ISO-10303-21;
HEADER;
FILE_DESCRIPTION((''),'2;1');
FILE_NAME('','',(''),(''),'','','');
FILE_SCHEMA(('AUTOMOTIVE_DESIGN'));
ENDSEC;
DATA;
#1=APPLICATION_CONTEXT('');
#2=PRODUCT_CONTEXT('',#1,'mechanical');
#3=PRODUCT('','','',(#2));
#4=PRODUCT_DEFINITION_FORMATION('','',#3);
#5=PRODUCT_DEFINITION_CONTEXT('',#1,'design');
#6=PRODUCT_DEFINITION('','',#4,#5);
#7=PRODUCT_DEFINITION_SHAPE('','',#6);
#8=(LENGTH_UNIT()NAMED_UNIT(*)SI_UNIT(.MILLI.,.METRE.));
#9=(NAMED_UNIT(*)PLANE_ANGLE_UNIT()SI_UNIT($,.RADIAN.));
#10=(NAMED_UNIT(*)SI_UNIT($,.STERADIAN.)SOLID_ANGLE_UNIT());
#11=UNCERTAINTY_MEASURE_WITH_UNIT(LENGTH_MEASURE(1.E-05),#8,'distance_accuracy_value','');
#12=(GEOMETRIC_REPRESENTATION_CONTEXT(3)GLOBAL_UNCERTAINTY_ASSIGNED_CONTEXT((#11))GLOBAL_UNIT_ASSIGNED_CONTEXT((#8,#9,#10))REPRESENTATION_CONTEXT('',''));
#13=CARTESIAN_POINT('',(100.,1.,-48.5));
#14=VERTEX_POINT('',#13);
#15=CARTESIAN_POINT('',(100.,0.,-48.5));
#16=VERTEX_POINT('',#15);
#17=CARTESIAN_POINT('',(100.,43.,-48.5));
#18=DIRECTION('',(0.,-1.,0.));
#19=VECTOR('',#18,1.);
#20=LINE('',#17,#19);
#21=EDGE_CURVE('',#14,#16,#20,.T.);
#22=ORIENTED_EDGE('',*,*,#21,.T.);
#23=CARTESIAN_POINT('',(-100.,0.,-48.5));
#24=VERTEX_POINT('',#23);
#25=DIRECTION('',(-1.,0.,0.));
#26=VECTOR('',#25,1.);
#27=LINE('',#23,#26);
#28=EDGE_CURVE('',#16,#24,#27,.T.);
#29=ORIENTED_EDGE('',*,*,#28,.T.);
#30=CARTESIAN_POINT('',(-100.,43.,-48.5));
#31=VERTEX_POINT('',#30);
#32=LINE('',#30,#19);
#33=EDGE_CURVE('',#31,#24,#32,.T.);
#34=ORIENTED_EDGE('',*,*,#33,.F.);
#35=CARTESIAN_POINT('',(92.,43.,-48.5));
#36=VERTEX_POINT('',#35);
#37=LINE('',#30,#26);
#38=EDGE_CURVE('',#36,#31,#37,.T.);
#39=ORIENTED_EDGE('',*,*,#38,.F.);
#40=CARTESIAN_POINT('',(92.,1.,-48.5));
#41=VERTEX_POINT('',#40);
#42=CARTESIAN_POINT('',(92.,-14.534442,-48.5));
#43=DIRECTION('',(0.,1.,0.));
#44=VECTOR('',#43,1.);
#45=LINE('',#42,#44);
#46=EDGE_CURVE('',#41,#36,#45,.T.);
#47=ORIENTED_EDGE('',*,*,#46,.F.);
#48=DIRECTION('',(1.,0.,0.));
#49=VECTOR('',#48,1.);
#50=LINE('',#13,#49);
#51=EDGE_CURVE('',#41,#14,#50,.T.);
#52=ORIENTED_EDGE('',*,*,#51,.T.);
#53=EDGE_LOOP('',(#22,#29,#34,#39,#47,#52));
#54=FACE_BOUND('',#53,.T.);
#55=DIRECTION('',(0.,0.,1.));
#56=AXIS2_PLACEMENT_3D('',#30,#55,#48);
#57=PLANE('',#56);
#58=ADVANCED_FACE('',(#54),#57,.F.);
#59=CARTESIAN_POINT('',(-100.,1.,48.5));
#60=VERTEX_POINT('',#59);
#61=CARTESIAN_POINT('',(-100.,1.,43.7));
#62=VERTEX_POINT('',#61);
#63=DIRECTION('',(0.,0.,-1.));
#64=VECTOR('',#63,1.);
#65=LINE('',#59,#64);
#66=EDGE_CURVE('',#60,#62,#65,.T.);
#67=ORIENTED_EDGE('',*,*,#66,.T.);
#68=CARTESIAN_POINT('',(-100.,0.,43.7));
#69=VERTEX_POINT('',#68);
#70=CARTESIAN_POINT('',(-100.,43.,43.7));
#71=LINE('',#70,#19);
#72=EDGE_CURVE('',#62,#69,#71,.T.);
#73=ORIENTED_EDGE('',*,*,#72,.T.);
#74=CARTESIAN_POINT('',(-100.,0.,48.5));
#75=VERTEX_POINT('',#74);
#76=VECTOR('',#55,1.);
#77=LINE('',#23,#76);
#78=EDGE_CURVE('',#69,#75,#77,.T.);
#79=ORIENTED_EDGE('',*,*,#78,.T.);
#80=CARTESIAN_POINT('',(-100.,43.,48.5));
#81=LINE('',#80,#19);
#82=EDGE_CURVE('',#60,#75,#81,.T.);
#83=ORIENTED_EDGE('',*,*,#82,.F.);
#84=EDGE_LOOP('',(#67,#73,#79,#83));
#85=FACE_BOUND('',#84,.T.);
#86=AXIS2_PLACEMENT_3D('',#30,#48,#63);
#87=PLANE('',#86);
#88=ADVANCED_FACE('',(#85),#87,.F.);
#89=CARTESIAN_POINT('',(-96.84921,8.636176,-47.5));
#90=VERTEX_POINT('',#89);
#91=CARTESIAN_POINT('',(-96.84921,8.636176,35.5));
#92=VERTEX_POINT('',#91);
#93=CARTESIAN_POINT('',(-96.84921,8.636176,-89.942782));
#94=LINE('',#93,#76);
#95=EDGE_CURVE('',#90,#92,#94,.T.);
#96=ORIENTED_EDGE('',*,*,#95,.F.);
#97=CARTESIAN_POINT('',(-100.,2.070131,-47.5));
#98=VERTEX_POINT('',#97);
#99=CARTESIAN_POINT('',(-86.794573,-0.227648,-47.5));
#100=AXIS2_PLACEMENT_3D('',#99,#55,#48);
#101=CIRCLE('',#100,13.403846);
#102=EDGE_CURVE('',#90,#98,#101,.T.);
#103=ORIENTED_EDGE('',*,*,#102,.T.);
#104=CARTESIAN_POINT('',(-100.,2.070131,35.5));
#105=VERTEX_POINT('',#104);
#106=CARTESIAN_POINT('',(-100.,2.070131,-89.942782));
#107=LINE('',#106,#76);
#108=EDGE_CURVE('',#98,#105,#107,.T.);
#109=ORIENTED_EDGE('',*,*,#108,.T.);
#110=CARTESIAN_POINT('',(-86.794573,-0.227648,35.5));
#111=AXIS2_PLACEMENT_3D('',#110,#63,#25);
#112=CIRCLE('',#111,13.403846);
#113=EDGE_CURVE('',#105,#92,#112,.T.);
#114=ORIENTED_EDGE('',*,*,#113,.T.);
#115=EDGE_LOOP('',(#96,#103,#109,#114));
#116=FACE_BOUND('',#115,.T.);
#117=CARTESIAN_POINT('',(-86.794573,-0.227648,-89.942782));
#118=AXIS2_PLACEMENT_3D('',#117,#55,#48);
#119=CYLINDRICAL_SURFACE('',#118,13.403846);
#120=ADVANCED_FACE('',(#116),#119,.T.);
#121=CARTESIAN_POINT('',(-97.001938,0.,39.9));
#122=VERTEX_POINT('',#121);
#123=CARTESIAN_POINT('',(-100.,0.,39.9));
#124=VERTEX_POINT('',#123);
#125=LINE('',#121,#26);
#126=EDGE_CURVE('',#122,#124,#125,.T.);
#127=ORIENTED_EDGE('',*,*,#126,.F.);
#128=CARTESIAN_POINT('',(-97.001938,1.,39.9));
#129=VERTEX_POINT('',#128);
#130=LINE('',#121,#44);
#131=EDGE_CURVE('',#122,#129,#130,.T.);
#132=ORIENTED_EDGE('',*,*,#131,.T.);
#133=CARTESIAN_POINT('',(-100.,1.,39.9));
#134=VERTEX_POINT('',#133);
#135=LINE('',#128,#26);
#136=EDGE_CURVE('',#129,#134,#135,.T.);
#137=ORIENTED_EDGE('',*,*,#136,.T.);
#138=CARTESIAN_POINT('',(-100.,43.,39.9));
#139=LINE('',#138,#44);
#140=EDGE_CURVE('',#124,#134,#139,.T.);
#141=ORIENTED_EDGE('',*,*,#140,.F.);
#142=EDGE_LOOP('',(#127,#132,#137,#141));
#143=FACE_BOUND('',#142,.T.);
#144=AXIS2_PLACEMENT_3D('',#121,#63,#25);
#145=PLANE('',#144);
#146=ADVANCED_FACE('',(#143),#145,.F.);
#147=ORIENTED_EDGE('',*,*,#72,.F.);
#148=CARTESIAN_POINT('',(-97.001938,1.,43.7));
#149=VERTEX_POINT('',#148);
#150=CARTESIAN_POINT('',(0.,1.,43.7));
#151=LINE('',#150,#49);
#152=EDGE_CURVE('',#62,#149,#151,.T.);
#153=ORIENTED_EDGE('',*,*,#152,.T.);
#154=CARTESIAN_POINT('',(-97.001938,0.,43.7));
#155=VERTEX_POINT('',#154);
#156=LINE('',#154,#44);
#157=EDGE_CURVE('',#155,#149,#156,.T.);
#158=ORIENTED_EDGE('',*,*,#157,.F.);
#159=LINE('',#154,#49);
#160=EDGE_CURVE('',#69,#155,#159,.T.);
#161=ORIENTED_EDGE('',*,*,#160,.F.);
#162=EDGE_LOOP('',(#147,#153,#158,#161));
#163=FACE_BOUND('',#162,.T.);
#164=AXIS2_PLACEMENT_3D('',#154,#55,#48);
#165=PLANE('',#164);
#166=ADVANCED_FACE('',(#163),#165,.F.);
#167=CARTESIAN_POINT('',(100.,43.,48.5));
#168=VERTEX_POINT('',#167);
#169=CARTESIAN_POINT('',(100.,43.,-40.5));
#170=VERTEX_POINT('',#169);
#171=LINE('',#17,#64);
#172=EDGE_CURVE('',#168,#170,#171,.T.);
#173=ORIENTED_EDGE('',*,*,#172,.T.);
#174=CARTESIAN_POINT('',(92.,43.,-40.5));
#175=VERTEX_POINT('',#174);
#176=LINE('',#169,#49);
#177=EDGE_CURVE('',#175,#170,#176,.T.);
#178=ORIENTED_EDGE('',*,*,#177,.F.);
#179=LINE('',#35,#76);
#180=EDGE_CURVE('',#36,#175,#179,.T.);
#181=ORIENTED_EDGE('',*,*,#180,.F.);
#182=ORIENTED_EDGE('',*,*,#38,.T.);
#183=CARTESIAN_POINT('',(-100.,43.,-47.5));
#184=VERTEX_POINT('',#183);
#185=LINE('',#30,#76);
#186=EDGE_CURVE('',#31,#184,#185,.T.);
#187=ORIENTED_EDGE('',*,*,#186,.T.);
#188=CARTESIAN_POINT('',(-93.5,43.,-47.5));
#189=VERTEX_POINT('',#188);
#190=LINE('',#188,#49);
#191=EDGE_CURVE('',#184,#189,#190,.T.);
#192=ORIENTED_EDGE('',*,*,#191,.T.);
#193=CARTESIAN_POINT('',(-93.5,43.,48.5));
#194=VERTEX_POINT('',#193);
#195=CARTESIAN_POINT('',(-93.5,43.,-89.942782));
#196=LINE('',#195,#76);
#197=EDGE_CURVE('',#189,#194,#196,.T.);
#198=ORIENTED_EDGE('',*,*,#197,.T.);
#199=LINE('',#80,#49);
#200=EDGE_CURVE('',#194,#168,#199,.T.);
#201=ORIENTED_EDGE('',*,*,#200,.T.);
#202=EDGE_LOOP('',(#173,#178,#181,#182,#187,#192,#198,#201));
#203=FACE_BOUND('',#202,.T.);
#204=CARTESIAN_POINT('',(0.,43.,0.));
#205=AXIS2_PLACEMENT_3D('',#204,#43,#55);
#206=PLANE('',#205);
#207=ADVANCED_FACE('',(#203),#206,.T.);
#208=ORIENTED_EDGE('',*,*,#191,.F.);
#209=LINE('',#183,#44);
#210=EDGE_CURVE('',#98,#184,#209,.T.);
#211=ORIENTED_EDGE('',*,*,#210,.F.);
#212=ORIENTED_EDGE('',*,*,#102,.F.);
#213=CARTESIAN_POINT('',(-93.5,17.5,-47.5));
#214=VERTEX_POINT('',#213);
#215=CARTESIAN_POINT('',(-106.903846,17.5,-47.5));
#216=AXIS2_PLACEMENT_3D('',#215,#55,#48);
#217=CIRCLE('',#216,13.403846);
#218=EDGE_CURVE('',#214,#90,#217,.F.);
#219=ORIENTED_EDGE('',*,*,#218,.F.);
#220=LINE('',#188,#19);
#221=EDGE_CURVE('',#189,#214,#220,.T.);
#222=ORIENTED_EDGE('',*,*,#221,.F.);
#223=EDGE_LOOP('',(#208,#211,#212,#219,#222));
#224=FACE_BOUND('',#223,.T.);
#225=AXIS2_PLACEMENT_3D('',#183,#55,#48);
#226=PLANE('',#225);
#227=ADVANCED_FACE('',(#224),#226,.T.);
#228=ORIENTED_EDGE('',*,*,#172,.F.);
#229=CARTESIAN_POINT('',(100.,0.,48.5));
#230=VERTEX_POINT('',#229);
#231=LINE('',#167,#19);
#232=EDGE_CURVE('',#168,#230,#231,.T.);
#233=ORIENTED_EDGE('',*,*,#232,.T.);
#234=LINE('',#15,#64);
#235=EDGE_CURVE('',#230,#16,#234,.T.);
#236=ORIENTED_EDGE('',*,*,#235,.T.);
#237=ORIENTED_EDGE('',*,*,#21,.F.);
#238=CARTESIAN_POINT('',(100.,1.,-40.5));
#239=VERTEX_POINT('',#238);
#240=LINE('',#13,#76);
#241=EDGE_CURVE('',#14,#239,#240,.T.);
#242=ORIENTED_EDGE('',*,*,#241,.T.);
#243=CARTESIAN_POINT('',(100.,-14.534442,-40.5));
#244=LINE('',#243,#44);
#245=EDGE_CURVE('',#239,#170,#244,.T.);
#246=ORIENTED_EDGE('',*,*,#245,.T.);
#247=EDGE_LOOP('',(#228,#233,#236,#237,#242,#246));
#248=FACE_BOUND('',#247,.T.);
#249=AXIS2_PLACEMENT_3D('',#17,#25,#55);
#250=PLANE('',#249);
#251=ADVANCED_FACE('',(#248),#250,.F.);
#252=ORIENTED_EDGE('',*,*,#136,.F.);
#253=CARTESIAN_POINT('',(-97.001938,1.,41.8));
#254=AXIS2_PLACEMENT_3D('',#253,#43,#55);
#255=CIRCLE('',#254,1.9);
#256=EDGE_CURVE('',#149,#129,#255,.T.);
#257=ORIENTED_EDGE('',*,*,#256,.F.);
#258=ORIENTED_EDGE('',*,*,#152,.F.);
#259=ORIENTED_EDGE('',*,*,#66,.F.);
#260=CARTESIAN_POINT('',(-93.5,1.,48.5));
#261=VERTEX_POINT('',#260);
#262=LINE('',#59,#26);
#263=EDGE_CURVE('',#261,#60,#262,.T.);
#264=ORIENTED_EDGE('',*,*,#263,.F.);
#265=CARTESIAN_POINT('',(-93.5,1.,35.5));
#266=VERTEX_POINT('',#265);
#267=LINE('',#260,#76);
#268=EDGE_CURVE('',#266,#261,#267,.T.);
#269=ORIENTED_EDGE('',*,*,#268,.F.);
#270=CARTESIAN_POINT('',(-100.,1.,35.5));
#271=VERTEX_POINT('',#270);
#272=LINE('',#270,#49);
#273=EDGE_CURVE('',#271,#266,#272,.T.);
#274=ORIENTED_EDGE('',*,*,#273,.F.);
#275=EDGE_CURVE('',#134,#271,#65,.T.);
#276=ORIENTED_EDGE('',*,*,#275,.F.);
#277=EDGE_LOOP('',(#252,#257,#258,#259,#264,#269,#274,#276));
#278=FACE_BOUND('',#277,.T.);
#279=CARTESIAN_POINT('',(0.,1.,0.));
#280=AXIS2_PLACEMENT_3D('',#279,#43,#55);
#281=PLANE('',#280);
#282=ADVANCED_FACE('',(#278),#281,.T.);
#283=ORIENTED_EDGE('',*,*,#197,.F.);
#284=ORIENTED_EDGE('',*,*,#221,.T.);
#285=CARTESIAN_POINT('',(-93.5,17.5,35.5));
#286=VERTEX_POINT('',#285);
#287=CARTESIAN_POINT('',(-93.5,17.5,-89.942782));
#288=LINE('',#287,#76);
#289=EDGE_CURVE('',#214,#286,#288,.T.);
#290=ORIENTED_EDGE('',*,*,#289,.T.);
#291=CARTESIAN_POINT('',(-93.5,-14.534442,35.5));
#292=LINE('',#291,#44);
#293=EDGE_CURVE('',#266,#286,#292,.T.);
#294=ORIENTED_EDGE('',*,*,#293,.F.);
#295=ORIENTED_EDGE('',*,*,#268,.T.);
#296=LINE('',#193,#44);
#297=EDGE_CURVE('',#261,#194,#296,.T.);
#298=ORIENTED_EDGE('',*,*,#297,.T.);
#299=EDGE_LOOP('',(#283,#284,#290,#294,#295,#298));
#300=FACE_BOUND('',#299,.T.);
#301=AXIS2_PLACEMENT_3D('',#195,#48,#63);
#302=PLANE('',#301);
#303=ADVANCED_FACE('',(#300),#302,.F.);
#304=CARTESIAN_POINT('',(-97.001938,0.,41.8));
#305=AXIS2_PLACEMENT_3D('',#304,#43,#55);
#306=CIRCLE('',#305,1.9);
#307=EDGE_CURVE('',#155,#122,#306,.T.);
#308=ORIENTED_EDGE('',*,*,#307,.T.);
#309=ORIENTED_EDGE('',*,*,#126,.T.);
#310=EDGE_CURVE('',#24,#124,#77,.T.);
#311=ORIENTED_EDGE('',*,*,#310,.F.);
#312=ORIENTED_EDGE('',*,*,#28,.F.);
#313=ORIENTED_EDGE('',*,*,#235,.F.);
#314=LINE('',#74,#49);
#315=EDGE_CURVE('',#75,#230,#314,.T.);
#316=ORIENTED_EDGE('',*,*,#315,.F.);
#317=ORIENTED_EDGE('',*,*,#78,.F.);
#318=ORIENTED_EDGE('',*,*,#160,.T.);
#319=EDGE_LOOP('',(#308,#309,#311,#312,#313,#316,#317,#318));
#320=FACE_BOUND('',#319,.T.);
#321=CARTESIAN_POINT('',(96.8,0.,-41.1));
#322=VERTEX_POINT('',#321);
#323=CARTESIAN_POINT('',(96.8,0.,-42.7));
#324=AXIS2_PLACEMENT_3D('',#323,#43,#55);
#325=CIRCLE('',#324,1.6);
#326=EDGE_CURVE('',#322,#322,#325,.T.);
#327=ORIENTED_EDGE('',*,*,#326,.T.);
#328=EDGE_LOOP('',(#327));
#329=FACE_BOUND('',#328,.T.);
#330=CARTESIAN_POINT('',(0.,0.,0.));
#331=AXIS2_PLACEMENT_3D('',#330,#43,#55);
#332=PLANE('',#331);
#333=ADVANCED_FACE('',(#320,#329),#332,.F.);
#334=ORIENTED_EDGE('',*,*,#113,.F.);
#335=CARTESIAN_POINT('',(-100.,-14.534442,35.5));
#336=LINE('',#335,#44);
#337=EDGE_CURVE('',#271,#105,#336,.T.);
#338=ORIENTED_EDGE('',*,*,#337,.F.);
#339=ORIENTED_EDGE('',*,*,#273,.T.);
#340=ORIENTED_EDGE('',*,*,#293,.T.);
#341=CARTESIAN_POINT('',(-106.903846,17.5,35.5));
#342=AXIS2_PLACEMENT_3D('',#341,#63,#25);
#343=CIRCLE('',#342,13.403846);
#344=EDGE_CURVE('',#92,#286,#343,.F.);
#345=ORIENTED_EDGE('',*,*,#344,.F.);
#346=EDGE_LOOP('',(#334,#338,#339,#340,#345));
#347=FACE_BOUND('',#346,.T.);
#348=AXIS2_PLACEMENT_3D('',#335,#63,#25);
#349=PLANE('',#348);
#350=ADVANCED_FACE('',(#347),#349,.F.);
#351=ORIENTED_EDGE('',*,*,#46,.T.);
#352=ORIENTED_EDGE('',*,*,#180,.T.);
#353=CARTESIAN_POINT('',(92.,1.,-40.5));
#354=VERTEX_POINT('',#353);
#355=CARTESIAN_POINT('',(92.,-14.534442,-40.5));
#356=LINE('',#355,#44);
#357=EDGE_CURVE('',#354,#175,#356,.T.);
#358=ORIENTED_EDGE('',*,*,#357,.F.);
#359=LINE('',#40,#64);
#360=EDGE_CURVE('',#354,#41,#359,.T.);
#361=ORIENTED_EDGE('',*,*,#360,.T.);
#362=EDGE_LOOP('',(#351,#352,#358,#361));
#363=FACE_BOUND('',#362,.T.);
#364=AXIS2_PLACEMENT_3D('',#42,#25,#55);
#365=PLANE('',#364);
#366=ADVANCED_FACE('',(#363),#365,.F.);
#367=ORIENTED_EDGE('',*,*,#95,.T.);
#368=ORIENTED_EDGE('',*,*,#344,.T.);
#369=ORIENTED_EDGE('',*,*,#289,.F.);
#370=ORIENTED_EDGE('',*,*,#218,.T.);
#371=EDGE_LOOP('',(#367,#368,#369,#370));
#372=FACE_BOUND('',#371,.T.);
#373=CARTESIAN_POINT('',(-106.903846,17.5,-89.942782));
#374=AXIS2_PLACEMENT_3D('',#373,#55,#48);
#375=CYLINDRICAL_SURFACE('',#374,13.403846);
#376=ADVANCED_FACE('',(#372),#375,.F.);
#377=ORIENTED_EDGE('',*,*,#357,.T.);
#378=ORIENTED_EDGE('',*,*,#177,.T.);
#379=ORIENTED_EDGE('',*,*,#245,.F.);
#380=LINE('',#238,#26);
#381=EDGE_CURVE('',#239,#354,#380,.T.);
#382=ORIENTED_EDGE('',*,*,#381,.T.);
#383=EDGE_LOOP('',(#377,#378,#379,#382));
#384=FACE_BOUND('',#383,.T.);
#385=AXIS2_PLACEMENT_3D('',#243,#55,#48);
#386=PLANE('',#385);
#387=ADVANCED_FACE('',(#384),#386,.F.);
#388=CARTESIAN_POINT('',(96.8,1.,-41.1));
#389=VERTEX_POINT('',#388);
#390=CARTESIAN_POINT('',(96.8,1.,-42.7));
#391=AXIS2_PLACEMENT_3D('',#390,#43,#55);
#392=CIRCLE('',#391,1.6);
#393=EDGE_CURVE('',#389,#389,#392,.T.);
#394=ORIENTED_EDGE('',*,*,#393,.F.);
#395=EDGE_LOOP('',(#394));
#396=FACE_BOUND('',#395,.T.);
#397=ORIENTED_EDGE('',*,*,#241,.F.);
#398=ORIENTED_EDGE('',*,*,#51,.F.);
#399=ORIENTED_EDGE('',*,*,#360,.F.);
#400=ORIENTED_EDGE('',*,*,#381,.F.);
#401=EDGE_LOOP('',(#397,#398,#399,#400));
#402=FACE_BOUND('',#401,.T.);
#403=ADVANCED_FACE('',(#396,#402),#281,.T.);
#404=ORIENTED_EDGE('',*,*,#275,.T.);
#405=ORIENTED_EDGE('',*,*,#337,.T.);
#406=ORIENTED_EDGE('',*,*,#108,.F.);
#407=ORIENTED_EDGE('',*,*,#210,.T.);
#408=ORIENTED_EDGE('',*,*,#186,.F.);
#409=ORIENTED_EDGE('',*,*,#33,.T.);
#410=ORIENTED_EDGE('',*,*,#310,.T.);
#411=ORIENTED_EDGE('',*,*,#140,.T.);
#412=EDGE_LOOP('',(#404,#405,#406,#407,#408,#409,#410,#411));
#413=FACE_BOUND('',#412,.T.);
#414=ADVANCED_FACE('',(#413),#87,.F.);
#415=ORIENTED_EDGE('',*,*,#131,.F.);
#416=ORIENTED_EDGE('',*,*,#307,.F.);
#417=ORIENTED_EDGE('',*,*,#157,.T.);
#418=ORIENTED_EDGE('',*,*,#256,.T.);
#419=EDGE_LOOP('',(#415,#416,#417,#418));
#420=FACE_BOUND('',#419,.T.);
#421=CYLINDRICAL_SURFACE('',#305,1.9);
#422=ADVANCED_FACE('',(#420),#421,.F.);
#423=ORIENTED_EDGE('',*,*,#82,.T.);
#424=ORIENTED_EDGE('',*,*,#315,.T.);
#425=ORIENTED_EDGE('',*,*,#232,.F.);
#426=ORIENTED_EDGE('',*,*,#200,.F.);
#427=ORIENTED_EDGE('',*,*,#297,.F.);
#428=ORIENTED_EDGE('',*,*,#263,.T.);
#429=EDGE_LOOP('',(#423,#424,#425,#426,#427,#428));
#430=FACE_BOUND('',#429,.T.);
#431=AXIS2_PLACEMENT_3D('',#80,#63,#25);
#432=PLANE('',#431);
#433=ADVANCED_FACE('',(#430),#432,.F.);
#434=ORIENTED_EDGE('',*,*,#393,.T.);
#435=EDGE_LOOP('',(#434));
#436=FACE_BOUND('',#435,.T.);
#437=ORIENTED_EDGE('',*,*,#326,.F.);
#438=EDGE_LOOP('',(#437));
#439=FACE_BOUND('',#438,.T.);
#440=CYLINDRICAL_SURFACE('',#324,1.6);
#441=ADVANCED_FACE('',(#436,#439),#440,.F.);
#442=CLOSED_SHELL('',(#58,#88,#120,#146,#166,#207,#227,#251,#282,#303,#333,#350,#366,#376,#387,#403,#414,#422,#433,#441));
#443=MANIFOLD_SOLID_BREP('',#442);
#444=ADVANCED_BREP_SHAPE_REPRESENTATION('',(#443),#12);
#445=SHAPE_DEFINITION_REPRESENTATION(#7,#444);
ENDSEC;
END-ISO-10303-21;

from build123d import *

# Parameters (mm, degrees)
SKETCH1_W           = 200
SKETCH1_H           = 97
BOSS_EXTRUDE1_DEPTH = 43
CUT_EXTRUDE1_DEPTH  = 96
SKETCH3_W           = 6.5
SKETCH3_H           = 13
SKETCH3_W_2         = 8
SKETCH3_H_2         = 8
CUT_EXTRUDE2_DEPTH  = 42
SKETCH4_R           = 1.6
CUT_EXTRUDE3_DEPTH  = 119.811826011


with BuildPart() as part:
    # Sketch1 → Boss-Extrude1 (new body)
    with BuildSketch(Plane(origin=(0, 0, 0), x_dir=(1, 0, 0), z_dir=(0, 1, 0))):
        Rectangle(SKETCH1_W, SKETCH1_H)
    extrude(amount=BOSS_EXTRUDE1_DEPTH)

    # Sketch2 → Cut-Extrude1 (cut)
    with BuildSketch(Plane.XY.offset(48.5)):
        with BuildLine():
            Line((-93.5, 43), (-93.5, 17.5))
            ThreePointArc((-93.5, 17.5), (-94.365227926, 12.762263764), (-96.84920953, 8.636176103))
            ThreePointArc((-96.84920953, 8.636176103), (-98.879103447, 5.571249802), (-100, 2.070130916))
            Line((-100, 2.070130916), (-100, 43))
            Line((-100, 43), (-93.5, 43))
        make_face()
    extrude(amount=-CUT_EXTRUDE1_DEPTH, mode=Mode.SUBTRACT)

    # Sketch3 → Cut-Extrude2 (cut)
    with BuildSketch(Plane(origin=(0, 43, 0), x_dir=(1, 0, 0), z_dir=(0, 1, 0))):
        with Locations((-96.75, -42)):
            Rectangle(SKETCH3_W, SKETCH3_H)
        with Locations((96, 44.5)):
            Rectangle(SKETCH3_W_2, SKETCH3_H_2)
    extrude(amount=-CUT_EXTRUDE2_DEPTH, mode=Mode.SUBTRACT)

    # Sketch4 → Cut-Extrude3 (cut, through all)
    with BuildSketch(Plane(origin=(0, 1, 0), x_dir=(1, 0, 0), z_dir=(0, 1, 0))):
        with Locations(Location((96.8, 42.7, 0), (0, 0, 270))):
            Circle(SKETCH4_R)
        with BuildLine():
            Line((-97.001938149, -43.7), (-106.165293612, -43.7))
            ThreePointArc((-106.165293612, -43.7), (-108.065293612, -41.8), (-106.165293612, -39.9))
            Line((-106.165293612, -39.9), (-97.001938149, -39.9))
            ThreePointArc((-97.001938149, -39.9), (-95.101938149, -41.8), (-97.001938149, -43.7))
        make_face()
    extrude(amount=-CUT_EXTRUDE3_DEPTH, mode=Mode.SUBTRACT)


solid = part.part
